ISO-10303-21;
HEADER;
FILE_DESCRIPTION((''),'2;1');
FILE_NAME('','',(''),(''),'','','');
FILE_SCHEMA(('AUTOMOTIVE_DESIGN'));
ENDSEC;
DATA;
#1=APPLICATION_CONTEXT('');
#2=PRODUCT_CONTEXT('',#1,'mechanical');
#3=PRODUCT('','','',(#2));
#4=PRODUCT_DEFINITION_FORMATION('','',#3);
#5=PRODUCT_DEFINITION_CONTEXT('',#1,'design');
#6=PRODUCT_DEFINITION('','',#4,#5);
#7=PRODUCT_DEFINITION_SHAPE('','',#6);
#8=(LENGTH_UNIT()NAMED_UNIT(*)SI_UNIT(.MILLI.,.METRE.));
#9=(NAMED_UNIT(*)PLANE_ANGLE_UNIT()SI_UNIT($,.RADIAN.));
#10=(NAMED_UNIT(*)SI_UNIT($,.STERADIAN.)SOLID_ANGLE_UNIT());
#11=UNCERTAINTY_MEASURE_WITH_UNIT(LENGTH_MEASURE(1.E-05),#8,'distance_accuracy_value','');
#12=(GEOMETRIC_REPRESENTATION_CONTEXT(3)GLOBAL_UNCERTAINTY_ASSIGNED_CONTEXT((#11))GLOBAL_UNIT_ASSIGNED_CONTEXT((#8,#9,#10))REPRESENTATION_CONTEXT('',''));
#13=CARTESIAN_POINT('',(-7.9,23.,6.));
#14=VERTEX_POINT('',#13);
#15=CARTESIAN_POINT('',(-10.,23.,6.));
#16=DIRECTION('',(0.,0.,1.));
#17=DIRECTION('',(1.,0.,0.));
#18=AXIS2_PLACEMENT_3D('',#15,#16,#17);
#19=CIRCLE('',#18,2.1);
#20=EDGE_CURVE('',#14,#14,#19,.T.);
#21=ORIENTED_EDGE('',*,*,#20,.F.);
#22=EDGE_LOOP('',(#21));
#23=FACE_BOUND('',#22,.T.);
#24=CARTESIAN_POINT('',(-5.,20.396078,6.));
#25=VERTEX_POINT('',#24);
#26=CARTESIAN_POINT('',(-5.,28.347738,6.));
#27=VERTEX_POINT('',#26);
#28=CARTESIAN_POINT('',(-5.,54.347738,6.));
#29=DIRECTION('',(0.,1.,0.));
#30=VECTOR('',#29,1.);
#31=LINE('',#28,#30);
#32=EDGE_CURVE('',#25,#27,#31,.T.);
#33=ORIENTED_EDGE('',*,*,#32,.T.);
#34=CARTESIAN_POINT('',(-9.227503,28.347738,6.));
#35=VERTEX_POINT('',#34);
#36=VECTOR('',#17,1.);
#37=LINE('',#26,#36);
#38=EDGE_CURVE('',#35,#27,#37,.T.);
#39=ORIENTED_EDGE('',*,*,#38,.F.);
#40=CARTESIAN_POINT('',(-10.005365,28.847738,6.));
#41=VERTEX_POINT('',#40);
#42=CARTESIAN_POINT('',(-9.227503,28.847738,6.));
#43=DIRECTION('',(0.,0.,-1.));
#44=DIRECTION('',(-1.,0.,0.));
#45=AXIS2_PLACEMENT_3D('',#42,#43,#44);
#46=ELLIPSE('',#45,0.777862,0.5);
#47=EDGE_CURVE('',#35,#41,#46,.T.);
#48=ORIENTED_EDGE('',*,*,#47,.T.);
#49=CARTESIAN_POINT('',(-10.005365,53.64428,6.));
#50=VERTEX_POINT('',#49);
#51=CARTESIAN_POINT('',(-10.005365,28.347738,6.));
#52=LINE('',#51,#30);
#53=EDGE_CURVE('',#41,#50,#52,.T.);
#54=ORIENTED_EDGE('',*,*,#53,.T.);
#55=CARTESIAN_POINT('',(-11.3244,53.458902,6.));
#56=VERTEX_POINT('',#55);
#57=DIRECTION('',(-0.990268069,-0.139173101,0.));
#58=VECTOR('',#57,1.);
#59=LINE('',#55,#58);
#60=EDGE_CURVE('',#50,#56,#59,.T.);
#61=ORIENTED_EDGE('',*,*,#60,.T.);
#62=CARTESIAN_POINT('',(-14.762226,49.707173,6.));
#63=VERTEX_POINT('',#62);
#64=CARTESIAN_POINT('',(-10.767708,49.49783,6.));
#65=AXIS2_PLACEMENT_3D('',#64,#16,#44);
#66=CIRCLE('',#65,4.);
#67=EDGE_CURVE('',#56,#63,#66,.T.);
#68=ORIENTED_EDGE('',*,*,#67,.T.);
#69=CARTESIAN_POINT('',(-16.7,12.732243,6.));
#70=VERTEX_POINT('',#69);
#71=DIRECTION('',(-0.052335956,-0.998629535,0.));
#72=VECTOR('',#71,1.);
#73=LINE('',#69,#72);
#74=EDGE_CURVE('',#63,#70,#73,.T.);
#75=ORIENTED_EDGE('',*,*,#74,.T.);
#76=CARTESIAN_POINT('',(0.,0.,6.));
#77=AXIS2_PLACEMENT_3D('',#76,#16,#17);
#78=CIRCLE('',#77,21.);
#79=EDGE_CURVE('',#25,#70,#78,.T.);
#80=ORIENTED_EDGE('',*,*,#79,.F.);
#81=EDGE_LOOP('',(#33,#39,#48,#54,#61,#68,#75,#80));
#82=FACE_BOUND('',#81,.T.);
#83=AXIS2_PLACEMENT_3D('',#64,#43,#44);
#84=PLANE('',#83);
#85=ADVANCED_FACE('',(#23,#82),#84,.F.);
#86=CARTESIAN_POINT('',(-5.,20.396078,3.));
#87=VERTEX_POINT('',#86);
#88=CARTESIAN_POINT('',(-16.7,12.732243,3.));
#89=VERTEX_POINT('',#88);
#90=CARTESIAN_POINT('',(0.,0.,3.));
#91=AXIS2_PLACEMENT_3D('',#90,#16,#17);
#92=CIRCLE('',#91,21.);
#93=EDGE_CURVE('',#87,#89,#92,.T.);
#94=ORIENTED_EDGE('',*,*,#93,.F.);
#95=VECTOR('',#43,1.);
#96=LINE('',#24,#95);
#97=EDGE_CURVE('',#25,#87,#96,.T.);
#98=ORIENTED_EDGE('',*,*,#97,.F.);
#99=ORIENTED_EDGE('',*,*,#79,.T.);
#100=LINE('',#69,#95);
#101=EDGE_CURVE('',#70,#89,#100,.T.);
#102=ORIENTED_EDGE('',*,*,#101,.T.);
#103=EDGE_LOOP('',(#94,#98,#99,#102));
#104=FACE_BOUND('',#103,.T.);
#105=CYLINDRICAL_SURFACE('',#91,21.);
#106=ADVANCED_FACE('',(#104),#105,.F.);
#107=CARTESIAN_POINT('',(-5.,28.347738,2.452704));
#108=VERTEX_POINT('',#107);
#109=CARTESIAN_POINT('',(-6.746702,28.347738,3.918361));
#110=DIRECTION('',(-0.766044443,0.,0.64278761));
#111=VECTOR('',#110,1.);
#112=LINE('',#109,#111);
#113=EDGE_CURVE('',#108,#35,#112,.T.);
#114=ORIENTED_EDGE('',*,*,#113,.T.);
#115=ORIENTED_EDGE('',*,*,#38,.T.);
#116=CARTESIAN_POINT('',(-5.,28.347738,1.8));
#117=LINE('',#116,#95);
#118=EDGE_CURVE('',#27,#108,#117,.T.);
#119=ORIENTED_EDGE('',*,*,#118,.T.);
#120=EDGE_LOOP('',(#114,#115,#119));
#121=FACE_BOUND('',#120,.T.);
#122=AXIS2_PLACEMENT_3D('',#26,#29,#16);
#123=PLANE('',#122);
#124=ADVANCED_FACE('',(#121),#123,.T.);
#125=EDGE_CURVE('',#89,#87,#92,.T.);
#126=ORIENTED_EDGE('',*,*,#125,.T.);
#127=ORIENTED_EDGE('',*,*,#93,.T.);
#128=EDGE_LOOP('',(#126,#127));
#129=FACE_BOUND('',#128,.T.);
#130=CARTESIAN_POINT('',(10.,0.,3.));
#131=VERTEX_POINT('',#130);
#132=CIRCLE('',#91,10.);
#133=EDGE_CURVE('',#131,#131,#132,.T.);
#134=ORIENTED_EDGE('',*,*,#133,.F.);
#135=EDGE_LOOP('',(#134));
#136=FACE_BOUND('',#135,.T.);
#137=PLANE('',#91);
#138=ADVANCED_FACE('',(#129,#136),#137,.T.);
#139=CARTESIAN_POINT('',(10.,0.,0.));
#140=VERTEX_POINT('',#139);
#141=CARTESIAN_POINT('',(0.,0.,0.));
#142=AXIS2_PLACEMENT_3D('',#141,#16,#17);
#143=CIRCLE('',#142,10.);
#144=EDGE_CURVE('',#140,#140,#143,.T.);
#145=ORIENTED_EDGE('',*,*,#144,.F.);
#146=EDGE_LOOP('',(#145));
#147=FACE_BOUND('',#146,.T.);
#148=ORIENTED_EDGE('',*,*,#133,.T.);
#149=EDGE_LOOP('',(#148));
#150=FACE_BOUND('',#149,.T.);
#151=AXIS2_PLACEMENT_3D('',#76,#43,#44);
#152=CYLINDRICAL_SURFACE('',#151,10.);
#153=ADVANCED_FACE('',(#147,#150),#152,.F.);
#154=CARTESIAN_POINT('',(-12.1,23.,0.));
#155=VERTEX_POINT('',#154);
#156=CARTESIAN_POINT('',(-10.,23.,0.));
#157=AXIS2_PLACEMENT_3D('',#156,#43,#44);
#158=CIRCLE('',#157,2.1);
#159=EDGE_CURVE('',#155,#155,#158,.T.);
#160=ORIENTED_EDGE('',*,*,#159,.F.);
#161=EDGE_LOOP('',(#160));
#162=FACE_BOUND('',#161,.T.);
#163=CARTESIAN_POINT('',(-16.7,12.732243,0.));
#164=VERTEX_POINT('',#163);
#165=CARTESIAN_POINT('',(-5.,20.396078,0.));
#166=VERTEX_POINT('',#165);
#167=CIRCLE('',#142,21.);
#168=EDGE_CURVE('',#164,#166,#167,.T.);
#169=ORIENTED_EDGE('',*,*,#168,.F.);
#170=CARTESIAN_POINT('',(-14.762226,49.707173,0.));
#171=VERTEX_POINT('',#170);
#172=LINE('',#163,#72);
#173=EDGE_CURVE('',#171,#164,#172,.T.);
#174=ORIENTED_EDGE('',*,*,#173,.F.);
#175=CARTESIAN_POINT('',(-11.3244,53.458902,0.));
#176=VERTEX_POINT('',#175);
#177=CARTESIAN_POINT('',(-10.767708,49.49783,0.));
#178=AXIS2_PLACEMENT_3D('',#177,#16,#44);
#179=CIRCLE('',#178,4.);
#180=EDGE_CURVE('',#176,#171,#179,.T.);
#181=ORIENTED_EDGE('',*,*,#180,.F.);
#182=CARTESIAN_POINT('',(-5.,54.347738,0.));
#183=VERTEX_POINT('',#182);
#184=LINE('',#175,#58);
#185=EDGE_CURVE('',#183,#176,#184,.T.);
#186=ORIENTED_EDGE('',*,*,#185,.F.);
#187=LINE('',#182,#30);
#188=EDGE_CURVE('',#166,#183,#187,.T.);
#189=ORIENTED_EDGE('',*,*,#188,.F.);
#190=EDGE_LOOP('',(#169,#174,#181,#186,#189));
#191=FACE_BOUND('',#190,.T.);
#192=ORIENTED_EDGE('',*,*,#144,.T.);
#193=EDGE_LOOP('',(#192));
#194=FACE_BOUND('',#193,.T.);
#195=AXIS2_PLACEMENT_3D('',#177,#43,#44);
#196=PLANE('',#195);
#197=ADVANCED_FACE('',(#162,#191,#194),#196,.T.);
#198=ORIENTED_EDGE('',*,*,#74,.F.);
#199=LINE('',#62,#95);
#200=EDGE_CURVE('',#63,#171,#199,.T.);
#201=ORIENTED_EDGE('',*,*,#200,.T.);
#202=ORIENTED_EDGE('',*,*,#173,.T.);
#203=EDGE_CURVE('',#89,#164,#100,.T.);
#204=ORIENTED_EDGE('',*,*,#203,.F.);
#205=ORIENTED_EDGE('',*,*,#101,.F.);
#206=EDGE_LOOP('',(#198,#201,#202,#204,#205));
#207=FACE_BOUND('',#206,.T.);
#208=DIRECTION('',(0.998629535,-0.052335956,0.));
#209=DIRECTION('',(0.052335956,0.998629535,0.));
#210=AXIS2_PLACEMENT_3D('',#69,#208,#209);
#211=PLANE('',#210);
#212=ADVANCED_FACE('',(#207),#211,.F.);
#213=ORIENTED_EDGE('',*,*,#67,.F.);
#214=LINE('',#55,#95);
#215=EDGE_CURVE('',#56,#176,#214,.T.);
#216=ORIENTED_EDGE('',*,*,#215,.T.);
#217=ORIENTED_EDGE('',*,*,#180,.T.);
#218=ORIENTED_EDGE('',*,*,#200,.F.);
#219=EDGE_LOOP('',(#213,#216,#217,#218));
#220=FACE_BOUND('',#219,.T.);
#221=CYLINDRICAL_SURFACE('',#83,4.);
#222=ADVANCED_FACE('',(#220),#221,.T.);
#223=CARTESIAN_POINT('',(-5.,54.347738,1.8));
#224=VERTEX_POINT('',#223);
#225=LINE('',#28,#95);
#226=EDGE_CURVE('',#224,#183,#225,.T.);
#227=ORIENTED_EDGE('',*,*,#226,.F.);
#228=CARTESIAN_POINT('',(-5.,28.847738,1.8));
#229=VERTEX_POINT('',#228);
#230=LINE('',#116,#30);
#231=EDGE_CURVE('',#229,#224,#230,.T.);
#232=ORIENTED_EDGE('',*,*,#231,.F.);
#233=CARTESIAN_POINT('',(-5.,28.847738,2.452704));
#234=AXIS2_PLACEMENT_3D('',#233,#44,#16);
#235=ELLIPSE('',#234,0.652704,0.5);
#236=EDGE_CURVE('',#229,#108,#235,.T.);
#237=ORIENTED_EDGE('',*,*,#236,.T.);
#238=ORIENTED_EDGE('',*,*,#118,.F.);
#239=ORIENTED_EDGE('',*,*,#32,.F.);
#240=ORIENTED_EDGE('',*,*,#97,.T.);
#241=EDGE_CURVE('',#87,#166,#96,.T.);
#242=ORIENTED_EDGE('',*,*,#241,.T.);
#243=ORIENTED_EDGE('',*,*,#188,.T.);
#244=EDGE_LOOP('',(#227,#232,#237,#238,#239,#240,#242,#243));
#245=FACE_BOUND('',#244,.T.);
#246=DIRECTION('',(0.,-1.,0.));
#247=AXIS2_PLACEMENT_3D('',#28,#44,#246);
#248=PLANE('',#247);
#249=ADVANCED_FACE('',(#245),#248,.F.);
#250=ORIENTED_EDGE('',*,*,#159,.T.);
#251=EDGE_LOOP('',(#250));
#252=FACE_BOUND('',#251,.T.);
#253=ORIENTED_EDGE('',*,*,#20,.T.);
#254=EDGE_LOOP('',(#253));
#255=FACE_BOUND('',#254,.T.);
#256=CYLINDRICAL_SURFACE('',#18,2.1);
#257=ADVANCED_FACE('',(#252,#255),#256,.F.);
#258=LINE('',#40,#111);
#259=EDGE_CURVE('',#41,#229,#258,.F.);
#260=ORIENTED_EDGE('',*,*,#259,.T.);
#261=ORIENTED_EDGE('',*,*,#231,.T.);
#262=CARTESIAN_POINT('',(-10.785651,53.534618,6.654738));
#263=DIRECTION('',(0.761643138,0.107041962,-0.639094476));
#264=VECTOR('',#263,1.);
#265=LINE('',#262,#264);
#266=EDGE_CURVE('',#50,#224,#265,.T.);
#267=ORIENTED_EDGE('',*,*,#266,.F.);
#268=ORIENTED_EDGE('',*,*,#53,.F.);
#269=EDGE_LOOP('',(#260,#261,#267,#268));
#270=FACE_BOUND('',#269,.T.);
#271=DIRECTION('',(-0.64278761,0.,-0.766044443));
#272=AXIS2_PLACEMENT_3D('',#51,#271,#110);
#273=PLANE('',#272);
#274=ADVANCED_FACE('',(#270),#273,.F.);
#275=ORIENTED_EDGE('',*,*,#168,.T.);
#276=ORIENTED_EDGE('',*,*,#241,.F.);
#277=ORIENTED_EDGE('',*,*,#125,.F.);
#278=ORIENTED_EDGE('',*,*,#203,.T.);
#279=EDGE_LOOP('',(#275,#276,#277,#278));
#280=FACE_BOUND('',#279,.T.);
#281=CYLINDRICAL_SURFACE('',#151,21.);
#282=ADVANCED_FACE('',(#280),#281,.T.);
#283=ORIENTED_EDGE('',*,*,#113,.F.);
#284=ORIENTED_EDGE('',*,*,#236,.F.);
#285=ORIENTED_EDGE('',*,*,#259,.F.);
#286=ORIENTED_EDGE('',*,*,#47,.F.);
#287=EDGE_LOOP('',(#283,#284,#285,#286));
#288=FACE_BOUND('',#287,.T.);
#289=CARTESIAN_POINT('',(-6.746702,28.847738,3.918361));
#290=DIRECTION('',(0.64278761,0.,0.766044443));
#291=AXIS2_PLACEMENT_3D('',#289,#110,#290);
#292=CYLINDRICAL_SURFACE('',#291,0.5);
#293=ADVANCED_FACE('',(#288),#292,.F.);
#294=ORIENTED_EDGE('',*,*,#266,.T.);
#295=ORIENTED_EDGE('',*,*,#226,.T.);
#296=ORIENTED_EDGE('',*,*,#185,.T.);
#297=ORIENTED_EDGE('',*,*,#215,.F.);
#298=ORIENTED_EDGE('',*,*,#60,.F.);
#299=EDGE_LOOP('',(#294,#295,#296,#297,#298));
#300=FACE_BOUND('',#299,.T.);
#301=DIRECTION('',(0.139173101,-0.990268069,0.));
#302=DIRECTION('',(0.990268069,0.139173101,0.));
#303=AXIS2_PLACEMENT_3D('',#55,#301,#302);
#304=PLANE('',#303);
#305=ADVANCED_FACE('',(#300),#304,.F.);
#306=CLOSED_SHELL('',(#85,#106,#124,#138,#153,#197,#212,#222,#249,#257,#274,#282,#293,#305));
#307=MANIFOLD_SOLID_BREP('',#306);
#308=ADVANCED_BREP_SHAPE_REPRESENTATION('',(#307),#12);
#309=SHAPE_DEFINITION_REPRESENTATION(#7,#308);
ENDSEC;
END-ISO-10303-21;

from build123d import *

# Parameters (mm, degrees)
CROQUIS1_R                = 10
SALIENTE_EXTRUIR1_DEPTH   = 6
CROQUIS2_R                = 21
CROQUIS2_R_2              = 10
CORTAR_EXTRUIR1_DEPTH     = 3
CORTAR_EXTRUIR2_DEPTH     = 26
REDONDEO1_R               = 0.5
TALADRO_ROSCADO_M51_D     = 4.2
TALADRO_ROSCADO_M51_DEPTH = 14
TALADRO_ROSCADO_M51_TIP   = 1.2618073


with BuildPart() as part:
    # Croquis1 → Saliente-Extruir1 (new body)
    with BuildSketch(Plane.XY):
        with BuildLine():
            Line((-16.7, 12.732242536), (-14.762225987, 49.707173354))
            ThreePointArc((-14.762225987, 49.707173354), (-13.716817195, 52.20019036), (-11.324400252, 53.458901804))
            Line((-11.324400252, 53.458901804), (-5, 54.347738295))
            Line((-5, 54.347738295), (-5, 20.396078054))
            ThreePointArc((-5, 20.396078054), (11.506784682, -17.566841102), (-16.7, 12.732242536))
        make_face()
        Circle(CROQUIS1_R, mode=Mode.SUBTRACT)
    extrude(amount=SALIENTE_EXTRUIR1_DEPTH)

    # Croquis2 → Cortar-Extruir1 (cut)
    with BuildSketch(Plane.XY.offset(6)):
        Circle(CROQUIS2_R)
        Circle(CROQUIS2_R_2, mode=Mode.SUBTRACT)
    extrude(amount=-CORTAR_EXTRUIR1_DEPTH, mode=Mode.SUBTRACT)

    # Croquis3 → Cortar-Extruir2 (cut)
    with BuildSketch(Plane(origin=(0, 54.347738295, 0), x_dir=(-1, 0, 0), z_dir=(0, 1, 0))):
        Polygon((10.005365089, 6), (5, 1.8), (5, 6), align=None)
    extrude(amount=-CORTAR_EXTRUIR2_DEPTH, mode=Mode.SUBTRACT)

    # Redondeo1
    redondeo1_edges = [part.edges().sort_by_distance(p)[0] for p in [
        (-7.502682544, 28.347738295, 3.9),
    ]]
    fillet(redondeo1_edges, radius=REDONDEO1_R)

    # Taladro roscado M51
    with Locations(Plane.XY.offset(6)):
        with Locations((-10, 23)):
            Hole(TALADRO_ROSCADO_M51_D / 2, depth=TALADRO_ROSCADO_M51_DEPTH)
            with Locations((0, 0, -(TALADRO_ROSCADO_M51_DEPTH + TALADRO_ROSCADO_M51_TIP / 2))):  # 118° drill point
                Cone(0, TALADRO_ROSCADO_M51_D / 2, TALADRO_ROSCADO_M51_TIP, mode=Mode.SUBTRACT)


solid = part.part
